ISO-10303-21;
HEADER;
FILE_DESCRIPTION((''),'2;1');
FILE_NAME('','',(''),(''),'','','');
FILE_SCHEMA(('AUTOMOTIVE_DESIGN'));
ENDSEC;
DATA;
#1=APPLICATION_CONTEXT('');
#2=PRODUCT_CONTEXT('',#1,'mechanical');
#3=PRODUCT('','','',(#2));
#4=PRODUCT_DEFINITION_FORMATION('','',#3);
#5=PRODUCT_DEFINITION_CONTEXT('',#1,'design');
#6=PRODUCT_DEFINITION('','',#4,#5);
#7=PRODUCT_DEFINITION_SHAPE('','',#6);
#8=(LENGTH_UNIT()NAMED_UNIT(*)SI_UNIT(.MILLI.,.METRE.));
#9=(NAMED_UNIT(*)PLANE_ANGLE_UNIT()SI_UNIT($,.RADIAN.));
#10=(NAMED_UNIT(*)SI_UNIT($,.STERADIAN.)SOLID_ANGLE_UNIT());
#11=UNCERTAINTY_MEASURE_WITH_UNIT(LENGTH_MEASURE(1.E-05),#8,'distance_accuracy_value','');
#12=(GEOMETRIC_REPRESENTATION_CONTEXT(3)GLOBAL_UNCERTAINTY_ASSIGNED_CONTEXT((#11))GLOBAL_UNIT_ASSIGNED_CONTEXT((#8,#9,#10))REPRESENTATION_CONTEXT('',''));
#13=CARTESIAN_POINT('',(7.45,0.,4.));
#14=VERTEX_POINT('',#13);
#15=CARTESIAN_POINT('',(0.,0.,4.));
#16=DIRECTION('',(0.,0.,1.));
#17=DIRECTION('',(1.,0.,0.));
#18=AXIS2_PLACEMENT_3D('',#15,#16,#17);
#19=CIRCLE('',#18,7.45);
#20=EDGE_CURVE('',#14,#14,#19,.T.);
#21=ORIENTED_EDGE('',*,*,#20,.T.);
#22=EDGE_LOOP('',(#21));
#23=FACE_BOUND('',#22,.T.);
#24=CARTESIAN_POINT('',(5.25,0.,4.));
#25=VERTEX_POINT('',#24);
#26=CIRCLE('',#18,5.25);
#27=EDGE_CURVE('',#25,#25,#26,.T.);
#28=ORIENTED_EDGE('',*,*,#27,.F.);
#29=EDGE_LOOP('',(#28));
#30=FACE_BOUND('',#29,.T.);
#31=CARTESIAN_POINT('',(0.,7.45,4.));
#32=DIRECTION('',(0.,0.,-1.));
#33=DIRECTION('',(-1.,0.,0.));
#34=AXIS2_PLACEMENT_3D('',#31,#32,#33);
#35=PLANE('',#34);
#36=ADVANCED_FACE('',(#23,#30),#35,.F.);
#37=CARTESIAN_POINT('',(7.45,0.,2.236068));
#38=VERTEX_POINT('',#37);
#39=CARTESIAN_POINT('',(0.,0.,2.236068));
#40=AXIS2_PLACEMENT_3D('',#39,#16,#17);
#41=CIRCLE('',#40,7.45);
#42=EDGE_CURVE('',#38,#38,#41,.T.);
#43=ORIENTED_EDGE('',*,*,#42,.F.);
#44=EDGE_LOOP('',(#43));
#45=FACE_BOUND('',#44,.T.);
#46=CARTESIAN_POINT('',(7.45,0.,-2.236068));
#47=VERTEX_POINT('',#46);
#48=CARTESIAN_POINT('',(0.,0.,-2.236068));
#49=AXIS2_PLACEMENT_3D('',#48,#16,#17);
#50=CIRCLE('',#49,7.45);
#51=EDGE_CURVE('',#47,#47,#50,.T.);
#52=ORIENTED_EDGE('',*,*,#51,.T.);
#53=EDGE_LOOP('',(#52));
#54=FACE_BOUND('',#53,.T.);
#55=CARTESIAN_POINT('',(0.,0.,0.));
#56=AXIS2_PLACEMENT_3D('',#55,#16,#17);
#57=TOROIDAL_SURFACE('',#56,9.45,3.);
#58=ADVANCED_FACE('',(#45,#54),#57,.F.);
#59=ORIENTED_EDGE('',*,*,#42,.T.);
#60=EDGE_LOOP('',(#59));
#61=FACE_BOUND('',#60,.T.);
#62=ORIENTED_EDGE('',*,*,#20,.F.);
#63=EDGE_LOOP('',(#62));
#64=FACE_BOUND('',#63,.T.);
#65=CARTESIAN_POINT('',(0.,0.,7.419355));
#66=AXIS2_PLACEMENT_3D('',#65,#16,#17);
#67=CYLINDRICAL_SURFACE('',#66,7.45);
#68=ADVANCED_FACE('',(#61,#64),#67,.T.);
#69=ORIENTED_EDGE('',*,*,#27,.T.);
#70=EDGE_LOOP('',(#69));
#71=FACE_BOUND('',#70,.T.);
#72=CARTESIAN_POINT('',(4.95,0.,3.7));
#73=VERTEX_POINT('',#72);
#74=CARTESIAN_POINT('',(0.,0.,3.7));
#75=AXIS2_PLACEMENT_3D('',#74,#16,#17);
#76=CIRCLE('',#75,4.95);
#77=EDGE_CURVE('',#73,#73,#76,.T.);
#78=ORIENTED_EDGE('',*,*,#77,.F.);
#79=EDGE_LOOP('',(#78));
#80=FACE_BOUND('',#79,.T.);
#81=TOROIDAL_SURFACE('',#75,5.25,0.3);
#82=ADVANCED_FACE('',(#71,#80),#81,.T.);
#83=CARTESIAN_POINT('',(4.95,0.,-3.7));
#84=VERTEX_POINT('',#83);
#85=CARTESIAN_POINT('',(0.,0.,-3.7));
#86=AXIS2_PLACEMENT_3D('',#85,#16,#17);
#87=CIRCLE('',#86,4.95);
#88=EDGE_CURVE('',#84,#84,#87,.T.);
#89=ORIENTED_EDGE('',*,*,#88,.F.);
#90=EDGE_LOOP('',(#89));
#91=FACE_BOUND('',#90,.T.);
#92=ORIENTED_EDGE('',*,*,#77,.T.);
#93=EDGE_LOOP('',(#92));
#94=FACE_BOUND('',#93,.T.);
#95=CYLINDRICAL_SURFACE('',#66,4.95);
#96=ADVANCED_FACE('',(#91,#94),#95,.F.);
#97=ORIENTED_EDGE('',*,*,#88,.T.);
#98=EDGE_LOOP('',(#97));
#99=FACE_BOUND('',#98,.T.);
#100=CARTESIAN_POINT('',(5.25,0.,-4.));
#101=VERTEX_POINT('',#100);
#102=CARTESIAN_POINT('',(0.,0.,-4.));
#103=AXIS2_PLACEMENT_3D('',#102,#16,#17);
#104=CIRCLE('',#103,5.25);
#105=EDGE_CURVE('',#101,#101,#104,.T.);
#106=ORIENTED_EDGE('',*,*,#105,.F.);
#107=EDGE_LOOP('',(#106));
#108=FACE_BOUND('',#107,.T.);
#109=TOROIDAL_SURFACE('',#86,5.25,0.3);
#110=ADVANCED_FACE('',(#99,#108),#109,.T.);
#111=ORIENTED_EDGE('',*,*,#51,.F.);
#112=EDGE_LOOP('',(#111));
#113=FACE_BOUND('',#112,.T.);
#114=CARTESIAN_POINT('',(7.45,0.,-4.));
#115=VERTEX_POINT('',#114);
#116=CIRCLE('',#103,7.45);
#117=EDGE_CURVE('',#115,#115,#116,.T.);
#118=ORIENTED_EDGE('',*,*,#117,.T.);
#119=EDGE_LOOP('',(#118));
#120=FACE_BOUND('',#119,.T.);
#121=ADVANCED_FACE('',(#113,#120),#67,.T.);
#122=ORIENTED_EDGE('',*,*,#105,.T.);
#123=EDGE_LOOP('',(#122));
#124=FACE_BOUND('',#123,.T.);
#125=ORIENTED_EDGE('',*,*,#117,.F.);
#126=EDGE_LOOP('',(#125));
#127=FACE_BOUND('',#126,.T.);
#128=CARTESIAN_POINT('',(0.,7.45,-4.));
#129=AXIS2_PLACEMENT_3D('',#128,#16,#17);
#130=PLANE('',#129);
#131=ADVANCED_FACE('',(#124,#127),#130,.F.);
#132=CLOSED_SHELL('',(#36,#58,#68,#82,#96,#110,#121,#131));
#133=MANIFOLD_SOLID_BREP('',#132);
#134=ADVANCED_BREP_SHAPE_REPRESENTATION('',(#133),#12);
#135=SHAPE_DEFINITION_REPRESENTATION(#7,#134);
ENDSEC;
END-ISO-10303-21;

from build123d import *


with BuildPart() as part:
    # Sketch1 → Revolve1 (revolve)
    with BuildSketch(Plane(origin=(0, 0, 0), x_dir=(0, 0, -1), z_dir=(1, 0, 0)), mode=Mode.PRIVATE) as revolve1_sk:
        with BuildLine():
            Line((-4, 7.45), (-2.236067977, 7.45))
            ThreePointArc((-2.236067977, 7.45), (0, 6.45), (2.236067977, 7.45))
            Line((2.236067977, 7.45), (4, 7.45))
            Line((4, 7.45), (4, 5.25))
            ThreePointArc((4, 5.25), (3.912132034, 5.037867966), (3.7, 4.95))
            Line((3.7, 4.95), (-3.7, 4.95))
            ThreePointArc((-3.7, 4.95), (-3.912132034, 5.037867966), (-4, 5.25))
            Line((-4, 5.25), (-4, 7.45))
        make_face()
    revolve(revolve1_sk.sketch.rotate(Axis((0, 0, 7.419354839), (0, 0, -1)), 90), axis=Axis((0, 0, 7.419354839), (0, 0, -1)))


solid = part.part
